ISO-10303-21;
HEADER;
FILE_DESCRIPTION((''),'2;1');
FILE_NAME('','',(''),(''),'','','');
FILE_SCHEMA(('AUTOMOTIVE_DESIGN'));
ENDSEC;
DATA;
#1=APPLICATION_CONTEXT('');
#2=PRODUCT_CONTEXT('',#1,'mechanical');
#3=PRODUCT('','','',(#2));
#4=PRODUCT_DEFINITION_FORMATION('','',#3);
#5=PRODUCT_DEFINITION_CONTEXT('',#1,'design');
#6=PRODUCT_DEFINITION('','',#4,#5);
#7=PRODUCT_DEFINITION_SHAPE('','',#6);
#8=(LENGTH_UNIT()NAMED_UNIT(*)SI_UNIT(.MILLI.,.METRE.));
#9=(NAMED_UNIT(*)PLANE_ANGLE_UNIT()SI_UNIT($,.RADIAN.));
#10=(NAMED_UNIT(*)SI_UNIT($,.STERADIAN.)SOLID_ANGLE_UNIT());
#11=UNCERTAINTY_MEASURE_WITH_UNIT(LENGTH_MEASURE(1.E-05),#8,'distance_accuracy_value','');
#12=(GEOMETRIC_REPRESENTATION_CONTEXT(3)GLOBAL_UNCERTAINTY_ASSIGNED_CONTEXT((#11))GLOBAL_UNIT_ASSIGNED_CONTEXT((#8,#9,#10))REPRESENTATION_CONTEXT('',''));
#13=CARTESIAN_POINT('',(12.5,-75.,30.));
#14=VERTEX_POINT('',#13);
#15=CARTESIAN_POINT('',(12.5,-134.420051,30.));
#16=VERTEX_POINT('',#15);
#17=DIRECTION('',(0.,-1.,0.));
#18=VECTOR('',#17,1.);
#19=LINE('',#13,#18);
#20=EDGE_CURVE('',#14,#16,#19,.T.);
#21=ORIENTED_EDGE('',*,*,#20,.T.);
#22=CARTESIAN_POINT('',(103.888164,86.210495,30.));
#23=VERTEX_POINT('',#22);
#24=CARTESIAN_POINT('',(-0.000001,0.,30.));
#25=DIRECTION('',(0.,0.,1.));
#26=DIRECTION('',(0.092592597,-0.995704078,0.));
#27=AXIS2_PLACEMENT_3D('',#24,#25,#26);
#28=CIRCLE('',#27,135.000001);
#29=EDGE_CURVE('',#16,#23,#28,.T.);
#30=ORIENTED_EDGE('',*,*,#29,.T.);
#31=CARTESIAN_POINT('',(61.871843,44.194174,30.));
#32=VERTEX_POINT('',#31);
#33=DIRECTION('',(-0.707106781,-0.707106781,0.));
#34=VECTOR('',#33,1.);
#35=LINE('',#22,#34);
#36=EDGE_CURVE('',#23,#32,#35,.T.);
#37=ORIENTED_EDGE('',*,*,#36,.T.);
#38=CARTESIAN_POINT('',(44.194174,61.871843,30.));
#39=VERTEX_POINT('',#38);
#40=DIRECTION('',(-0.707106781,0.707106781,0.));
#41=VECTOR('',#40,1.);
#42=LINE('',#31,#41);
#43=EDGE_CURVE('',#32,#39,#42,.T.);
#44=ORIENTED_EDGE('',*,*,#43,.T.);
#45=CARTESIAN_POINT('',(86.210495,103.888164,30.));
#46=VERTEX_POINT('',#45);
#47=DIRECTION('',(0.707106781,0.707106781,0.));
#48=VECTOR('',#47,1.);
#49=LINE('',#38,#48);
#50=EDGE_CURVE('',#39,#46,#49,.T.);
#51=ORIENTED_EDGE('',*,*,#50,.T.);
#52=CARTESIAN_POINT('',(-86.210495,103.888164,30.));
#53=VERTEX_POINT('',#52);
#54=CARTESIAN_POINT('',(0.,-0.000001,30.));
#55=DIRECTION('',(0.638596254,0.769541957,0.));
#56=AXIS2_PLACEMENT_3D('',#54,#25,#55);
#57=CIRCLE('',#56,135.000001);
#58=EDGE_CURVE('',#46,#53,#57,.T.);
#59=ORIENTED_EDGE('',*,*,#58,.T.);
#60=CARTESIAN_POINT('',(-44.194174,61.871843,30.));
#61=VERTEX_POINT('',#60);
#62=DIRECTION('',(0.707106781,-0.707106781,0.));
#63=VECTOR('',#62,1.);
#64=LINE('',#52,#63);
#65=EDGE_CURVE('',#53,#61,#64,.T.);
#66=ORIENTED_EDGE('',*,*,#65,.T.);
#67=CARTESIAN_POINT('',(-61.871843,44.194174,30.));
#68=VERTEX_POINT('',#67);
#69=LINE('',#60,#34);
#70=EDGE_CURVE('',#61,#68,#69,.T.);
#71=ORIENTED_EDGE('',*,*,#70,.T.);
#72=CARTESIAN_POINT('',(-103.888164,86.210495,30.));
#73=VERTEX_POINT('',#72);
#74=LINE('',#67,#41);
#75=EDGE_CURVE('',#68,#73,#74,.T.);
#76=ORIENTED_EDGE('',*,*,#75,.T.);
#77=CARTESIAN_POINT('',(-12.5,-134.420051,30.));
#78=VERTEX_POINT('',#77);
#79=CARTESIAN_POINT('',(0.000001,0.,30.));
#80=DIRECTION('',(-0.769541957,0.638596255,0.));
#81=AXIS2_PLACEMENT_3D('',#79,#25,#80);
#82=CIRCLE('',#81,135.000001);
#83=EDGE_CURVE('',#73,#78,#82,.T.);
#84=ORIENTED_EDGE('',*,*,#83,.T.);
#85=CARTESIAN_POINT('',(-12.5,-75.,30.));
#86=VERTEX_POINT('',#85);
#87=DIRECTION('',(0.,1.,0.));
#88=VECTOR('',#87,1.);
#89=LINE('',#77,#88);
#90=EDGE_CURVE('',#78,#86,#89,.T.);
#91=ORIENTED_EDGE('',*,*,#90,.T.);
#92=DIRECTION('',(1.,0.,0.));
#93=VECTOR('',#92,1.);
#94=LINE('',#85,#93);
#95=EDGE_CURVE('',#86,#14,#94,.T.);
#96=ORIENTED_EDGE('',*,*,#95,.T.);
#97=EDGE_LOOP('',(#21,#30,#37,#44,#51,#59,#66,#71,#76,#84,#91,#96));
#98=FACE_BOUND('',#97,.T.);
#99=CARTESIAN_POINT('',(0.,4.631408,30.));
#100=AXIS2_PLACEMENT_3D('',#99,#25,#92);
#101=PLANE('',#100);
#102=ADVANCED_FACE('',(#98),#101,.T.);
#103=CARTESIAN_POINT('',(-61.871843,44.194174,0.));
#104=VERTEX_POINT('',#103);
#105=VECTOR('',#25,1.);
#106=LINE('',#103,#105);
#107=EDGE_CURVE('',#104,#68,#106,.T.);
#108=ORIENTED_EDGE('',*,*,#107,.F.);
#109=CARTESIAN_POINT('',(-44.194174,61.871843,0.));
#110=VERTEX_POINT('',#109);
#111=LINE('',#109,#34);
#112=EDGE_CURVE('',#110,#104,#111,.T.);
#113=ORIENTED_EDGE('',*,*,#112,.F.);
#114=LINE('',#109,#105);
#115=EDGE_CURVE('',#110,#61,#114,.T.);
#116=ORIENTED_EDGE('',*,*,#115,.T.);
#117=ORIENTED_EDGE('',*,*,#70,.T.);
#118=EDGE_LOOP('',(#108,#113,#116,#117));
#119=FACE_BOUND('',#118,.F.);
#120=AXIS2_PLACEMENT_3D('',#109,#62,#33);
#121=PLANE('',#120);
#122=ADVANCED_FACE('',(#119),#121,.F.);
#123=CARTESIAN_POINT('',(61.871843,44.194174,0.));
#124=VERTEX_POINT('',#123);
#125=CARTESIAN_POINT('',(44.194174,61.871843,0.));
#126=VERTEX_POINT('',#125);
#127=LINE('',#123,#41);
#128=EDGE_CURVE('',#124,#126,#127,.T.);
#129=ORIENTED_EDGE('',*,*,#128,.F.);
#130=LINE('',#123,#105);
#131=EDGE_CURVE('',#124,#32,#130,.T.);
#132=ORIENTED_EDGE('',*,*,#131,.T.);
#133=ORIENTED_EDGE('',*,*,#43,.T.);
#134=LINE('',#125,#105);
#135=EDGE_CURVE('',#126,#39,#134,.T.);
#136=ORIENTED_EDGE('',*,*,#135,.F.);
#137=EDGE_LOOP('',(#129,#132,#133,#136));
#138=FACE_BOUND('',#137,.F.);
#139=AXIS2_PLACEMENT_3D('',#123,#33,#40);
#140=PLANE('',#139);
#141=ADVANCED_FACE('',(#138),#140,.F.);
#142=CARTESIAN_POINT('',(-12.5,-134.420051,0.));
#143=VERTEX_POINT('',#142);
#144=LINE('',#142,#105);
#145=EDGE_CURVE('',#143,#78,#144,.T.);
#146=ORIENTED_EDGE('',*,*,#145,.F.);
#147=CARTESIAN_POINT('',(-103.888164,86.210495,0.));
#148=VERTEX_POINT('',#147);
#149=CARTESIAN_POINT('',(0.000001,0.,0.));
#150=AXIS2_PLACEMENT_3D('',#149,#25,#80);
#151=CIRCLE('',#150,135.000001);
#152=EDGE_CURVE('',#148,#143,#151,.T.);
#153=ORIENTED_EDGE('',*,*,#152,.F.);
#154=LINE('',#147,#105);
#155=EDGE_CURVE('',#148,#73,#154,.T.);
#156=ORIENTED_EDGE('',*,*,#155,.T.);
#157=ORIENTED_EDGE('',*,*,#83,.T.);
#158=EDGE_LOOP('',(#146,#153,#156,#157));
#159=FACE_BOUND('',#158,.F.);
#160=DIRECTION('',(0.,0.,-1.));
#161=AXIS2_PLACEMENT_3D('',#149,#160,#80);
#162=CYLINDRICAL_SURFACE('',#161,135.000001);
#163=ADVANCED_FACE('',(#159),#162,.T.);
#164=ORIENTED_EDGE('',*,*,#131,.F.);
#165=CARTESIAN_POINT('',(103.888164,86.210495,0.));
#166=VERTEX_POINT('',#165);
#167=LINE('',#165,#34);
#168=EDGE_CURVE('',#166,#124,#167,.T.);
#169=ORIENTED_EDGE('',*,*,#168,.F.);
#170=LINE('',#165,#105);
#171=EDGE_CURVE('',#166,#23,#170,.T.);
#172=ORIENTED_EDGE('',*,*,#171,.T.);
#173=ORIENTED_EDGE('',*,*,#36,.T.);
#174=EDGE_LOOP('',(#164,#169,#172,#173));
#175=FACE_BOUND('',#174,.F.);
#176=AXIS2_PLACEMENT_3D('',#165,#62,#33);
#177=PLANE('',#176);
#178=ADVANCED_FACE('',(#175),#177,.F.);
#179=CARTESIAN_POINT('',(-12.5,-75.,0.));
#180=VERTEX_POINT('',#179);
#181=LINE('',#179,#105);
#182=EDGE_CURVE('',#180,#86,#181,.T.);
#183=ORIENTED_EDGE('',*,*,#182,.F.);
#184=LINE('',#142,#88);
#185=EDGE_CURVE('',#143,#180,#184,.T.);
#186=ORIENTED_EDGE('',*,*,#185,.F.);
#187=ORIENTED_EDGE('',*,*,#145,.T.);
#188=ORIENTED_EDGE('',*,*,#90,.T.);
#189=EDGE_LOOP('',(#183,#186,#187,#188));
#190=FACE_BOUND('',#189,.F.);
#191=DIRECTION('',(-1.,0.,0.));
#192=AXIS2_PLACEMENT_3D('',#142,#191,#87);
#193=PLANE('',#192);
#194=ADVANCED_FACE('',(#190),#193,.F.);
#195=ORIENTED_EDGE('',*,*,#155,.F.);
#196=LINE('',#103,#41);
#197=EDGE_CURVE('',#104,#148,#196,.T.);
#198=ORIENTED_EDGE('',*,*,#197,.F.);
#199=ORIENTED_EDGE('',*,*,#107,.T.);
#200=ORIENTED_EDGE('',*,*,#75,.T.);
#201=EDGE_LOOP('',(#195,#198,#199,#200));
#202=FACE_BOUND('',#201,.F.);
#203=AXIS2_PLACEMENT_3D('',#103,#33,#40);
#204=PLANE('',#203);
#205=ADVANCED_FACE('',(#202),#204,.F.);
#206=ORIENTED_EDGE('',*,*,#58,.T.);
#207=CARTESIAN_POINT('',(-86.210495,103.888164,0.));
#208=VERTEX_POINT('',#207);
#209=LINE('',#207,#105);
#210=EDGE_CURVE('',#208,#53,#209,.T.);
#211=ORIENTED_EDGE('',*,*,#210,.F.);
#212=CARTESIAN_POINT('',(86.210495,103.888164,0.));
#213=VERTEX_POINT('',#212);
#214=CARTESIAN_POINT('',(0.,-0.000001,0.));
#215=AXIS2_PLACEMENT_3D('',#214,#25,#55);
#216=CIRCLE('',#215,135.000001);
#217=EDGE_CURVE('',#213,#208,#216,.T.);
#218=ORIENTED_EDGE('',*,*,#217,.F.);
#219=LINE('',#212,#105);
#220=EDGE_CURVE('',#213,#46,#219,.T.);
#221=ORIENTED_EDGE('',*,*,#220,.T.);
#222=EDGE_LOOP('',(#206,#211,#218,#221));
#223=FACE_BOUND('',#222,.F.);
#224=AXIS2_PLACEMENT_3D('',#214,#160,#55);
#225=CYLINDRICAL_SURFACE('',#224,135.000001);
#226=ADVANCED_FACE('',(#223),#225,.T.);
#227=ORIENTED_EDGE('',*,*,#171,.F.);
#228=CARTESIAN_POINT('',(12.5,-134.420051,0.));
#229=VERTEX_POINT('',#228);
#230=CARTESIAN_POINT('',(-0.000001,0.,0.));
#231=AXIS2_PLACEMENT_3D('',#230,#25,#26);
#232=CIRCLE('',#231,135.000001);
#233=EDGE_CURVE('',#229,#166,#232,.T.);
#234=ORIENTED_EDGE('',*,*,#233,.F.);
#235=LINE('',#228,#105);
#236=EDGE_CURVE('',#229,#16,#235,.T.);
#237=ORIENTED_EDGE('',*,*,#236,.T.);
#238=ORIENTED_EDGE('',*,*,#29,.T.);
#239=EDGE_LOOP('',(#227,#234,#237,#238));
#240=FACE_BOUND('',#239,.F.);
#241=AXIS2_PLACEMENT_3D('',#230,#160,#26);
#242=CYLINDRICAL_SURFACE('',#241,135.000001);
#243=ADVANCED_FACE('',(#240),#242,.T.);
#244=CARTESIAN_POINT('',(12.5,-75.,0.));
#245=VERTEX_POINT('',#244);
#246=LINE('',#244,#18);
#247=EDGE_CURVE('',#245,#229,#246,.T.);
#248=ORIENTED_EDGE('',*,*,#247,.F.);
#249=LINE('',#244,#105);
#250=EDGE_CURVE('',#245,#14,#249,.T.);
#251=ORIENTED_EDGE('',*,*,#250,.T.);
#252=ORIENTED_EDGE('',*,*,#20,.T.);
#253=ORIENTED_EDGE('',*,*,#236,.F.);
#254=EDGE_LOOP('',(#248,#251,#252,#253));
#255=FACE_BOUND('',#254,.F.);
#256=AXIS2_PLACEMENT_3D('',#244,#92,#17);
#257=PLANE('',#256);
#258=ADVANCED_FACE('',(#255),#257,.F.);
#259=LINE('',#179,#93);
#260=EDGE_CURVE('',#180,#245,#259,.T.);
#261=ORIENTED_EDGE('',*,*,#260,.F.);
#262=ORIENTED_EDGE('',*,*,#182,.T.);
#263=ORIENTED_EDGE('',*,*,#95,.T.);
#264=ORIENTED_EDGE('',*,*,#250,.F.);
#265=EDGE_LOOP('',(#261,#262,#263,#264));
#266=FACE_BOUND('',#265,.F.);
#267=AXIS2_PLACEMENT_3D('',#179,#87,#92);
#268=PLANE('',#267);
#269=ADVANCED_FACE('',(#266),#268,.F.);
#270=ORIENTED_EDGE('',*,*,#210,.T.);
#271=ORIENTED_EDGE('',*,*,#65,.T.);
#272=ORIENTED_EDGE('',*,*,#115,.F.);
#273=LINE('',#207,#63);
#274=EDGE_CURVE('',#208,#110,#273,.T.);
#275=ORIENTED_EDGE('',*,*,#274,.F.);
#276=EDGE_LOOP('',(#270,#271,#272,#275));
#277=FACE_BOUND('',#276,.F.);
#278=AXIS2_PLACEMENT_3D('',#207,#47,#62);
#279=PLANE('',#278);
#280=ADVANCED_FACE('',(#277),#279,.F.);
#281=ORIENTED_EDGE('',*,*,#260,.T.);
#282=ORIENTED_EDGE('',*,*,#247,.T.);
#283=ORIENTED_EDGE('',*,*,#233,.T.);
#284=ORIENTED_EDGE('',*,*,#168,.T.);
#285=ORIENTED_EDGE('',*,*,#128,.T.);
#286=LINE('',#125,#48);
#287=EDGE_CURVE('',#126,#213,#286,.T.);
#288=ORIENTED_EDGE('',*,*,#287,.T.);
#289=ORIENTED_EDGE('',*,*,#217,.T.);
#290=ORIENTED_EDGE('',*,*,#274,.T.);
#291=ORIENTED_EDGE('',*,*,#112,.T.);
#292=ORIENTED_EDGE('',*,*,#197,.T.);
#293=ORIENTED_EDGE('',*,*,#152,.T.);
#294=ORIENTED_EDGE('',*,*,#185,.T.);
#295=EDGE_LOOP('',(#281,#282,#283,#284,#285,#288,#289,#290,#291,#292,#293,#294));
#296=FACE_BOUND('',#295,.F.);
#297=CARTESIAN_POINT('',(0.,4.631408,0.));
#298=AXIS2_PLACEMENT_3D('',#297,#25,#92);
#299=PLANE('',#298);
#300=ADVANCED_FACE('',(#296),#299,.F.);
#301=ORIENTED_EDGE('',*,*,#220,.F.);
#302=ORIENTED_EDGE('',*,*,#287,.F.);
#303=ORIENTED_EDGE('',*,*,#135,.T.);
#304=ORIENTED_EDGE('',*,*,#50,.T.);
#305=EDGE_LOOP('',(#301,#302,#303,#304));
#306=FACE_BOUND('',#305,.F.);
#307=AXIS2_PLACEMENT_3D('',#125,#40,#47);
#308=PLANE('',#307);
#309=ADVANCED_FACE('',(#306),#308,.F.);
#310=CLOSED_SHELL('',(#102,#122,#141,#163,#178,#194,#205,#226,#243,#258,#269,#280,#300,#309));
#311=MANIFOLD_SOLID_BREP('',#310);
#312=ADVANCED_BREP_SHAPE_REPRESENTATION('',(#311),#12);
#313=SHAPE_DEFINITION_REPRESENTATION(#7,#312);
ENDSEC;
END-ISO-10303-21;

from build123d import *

# Parameters (mm, degrees)
F1_DEPTH = 30


with BuildPart() as f1:
    # F0 (on Top) → F1 (new body)
    with BuildSketch(Plane.XY):
        with BuildLine():
            Line((103.888164, 86.210495), (61.871843, 44.194174))
            Line((61.871843, 44.194174), (44.194174, 61.871843))
            Line((44.194174, 61.871843), (86.210495, 103.888164))
            ThreePointArc((86.210495, 103.888164), (0, 135), (-86.210495, 103.888164))
            Line((-86.210495, 103.888164), (-44.194174, 61.871843))
            Line((-44.194174, 61.871843), (-61.871843, 44.194174))
            Line((-61.871843, 44.194174), (-103.888164, 86.210495))
            ThreePointArc((-103.888164, 86.210495), (-124.723737, -51.662263), (-12.5, -134.420051))
            Line((-12.5, -134.420051), (-12.5, -75))
            Line((-12.5, -75), (12.5, -75))
            Line((12.5, -75), (12.5, -134.420051))
            ThreePointArc((12.5, -134.420051), (124.723737, -51.662263), (103.888164, 86.210495))
        make_face()
    extrude(amount=F1_DEPTH)


solid = f1.part
